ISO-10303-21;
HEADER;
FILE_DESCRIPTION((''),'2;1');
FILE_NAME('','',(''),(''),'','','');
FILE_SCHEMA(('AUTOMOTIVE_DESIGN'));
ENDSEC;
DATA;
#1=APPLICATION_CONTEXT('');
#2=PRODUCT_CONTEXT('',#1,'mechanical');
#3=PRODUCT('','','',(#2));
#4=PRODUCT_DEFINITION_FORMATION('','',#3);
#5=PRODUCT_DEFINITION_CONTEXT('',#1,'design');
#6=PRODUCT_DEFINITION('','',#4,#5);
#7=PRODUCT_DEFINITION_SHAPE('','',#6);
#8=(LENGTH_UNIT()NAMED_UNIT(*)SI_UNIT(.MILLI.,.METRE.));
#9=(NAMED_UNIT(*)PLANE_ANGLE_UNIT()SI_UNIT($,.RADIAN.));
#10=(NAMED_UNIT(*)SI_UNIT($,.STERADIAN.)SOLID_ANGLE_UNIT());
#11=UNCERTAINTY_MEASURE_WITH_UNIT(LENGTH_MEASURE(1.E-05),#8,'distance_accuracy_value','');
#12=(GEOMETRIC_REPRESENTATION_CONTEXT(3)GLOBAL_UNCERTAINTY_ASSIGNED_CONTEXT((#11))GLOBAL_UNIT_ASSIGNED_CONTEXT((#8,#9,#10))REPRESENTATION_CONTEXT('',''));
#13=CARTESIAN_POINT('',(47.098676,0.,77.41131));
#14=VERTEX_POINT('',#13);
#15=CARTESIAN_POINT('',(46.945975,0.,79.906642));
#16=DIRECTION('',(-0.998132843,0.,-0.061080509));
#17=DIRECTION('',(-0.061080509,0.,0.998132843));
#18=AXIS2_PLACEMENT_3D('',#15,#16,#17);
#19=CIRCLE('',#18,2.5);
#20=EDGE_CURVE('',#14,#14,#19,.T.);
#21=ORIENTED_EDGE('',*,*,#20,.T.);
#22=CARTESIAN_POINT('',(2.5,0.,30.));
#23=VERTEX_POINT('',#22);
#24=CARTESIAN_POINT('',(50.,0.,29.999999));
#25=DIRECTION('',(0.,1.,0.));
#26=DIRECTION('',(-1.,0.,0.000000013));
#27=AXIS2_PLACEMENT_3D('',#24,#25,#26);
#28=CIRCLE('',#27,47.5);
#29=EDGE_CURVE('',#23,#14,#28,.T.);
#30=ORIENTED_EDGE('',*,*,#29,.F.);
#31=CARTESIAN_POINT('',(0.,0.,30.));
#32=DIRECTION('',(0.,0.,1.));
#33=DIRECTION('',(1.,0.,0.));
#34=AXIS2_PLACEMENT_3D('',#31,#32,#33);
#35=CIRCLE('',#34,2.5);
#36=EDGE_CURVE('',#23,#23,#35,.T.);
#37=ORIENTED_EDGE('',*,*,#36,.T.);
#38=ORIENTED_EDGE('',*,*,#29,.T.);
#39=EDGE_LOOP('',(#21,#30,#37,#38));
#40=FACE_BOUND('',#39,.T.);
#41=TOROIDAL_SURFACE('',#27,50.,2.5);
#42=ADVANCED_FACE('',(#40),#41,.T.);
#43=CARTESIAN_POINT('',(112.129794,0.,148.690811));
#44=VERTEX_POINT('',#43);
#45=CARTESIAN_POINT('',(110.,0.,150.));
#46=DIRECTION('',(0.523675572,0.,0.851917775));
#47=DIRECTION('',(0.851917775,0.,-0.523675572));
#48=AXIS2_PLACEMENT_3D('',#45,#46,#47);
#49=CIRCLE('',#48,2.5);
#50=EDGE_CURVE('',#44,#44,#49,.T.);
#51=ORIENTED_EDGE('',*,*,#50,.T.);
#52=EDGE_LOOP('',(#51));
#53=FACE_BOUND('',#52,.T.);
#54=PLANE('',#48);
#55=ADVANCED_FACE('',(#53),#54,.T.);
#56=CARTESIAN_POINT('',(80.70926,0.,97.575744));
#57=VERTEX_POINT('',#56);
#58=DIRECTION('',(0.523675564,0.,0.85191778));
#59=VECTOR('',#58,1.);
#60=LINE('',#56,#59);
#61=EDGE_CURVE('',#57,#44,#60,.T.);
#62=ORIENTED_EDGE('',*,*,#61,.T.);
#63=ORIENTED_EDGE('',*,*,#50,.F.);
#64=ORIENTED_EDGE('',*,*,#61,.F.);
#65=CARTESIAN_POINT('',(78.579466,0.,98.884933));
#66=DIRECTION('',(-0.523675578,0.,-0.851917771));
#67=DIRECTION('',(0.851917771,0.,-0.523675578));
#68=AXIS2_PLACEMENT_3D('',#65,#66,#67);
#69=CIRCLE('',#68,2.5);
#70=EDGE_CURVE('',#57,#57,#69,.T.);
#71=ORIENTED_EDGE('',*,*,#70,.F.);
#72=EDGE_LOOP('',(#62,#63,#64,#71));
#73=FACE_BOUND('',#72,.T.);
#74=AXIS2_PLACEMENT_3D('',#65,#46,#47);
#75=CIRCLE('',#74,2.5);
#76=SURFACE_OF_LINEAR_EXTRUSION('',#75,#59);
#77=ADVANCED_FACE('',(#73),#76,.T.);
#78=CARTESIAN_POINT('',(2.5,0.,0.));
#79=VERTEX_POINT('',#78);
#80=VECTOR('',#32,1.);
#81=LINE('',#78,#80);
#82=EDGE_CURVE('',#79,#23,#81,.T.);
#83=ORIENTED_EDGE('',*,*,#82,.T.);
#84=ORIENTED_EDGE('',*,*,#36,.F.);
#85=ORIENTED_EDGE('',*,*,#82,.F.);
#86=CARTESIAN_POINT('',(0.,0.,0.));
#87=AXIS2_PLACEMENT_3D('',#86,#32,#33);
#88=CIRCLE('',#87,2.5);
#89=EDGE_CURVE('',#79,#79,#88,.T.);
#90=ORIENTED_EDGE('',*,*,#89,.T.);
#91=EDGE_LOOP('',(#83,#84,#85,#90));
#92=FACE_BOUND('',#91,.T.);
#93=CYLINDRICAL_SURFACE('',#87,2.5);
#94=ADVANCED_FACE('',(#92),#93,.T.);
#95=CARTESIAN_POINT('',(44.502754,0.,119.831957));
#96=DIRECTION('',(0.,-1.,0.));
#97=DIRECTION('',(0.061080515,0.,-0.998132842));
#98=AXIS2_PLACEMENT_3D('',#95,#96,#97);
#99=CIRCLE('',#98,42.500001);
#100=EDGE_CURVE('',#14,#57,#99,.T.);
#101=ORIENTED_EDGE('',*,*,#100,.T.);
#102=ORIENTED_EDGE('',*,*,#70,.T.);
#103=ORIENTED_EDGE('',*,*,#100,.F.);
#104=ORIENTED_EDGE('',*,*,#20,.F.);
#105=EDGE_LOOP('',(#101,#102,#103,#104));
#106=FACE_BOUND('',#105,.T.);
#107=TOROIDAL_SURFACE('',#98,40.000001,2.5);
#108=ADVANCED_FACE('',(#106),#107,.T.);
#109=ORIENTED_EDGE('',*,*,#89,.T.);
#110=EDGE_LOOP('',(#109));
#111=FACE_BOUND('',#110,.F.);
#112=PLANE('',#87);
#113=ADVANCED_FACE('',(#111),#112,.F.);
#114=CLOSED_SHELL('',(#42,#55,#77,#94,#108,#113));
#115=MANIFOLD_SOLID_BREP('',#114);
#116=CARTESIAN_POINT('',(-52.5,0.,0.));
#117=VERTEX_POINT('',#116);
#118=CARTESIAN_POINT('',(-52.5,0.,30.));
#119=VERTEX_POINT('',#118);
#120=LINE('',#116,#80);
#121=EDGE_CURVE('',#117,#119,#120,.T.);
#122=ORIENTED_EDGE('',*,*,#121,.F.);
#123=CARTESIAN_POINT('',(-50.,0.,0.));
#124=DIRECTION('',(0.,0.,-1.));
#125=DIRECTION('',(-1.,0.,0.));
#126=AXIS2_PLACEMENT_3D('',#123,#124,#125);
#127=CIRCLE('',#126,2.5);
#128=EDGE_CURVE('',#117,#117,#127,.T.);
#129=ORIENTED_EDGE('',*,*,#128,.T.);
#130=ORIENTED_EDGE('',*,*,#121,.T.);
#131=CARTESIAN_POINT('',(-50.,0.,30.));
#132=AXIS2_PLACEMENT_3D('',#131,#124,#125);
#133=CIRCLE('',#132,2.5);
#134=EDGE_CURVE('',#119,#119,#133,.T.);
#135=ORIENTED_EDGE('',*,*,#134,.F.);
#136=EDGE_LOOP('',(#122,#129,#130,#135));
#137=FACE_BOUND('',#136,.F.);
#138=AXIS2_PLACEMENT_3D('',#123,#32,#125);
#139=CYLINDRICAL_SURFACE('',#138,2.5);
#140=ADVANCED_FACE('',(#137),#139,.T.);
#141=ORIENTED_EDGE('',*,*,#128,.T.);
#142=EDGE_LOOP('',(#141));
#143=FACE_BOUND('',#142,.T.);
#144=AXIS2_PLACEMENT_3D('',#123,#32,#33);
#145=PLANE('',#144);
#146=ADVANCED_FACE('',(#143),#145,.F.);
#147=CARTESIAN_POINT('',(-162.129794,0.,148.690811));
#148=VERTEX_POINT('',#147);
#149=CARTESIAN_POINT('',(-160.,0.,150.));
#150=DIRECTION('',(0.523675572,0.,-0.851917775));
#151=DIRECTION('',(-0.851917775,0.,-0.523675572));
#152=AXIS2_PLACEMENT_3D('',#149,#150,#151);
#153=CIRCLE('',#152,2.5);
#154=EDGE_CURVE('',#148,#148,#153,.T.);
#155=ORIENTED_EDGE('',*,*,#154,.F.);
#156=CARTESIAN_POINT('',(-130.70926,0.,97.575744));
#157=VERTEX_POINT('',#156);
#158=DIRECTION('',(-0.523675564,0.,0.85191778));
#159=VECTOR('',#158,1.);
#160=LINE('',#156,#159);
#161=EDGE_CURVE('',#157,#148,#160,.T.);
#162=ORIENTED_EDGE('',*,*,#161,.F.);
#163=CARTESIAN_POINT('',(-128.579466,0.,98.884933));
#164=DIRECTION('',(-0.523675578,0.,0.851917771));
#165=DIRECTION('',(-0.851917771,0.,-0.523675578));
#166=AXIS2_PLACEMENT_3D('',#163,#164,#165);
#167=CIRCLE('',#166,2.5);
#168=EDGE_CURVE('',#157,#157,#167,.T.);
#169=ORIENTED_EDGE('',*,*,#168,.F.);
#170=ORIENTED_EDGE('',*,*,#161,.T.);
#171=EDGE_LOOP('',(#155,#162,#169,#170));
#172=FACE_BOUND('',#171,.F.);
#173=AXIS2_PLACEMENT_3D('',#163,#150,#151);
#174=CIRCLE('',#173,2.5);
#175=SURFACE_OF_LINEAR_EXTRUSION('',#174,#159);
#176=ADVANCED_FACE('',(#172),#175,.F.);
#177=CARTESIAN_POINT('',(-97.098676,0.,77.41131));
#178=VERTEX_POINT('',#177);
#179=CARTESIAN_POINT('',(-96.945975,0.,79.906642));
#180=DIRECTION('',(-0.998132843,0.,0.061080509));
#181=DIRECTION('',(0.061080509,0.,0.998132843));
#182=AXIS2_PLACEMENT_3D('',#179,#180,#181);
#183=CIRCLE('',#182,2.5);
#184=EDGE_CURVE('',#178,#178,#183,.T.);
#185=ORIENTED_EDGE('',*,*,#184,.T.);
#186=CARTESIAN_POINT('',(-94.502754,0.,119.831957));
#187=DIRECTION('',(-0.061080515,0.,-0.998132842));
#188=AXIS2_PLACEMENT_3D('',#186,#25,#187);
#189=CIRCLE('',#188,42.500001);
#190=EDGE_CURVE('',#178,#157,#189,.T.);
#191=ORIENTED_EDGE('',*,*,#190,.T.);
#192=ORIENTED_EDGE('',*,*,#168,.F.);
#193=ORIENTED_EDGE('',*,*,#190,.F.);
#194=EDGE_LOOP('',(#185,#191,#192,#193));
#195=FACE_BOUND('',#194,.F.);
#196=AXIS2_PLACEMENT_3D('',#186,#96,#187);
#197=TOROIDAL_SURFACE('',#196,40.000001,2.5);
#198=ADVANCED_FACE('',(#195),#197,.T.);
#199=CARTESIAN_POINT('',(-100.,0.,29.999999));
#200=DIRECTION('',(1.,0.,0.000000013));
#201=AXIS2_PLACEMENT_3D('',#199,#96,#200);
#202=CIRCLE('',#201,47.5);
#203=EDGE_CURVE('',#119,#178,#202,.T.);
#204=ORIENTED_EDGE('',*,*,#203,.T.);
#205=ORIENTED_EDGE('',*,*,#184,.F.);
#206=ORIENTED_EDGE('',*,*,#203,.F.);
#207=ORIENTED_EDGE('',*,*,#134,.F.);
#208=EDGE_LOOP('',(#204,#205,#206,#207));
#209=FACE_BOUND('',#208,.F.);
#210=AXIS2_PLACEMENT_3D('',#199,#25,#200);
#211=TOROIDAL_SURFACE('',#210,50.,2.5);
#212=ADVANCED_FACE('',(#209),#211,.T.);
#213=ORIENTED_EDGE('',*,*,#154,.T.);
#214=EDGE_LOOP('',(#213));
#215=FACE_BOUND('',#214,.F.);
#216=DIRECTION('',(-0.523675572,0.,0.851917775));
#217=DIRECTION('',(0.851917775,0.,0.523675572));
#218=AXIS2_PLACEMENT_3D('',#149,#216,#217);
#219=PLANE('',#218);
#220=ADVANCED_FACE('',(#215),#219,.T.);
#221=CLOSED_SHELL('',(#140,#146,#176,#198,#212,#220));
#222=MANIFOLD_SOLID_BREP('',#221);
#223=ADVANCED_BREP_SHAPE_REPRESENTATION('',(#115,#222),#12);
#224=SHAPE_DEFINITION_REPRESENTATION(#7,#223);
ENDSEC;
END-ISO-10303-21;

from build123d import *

# Parameters (mm, degrees)
F0_R = 2.5


with BuildPart() as f2:
    # F2: sweep along a path in F1
    with BuildLine(Plane.XZ) as f2_path:
        Line((0, 0), (0, 30))
        ThreePointArc((0, 30), (13.580903, 64.258566), (46.945975, 79.906642))
        ThreePointArc((46.945975, 79.906642), (65.081147, 85.531376), (78.579466, 98.884933))
        Line((78.579466, 98.884933), (110, 150))
    # F0 (on Top) → F2 (sweep)
    with BuildSketch(Plane.XY):
        Circle(F0_R)
    sweep(path=f2_path.line)


with BuildPart() as f4_1:
    # F4: instance of F2
    add(f2.part.mirror(Plane.YZ.offset(-25)))


solid = Compound([f2.part, f4_1.part])
